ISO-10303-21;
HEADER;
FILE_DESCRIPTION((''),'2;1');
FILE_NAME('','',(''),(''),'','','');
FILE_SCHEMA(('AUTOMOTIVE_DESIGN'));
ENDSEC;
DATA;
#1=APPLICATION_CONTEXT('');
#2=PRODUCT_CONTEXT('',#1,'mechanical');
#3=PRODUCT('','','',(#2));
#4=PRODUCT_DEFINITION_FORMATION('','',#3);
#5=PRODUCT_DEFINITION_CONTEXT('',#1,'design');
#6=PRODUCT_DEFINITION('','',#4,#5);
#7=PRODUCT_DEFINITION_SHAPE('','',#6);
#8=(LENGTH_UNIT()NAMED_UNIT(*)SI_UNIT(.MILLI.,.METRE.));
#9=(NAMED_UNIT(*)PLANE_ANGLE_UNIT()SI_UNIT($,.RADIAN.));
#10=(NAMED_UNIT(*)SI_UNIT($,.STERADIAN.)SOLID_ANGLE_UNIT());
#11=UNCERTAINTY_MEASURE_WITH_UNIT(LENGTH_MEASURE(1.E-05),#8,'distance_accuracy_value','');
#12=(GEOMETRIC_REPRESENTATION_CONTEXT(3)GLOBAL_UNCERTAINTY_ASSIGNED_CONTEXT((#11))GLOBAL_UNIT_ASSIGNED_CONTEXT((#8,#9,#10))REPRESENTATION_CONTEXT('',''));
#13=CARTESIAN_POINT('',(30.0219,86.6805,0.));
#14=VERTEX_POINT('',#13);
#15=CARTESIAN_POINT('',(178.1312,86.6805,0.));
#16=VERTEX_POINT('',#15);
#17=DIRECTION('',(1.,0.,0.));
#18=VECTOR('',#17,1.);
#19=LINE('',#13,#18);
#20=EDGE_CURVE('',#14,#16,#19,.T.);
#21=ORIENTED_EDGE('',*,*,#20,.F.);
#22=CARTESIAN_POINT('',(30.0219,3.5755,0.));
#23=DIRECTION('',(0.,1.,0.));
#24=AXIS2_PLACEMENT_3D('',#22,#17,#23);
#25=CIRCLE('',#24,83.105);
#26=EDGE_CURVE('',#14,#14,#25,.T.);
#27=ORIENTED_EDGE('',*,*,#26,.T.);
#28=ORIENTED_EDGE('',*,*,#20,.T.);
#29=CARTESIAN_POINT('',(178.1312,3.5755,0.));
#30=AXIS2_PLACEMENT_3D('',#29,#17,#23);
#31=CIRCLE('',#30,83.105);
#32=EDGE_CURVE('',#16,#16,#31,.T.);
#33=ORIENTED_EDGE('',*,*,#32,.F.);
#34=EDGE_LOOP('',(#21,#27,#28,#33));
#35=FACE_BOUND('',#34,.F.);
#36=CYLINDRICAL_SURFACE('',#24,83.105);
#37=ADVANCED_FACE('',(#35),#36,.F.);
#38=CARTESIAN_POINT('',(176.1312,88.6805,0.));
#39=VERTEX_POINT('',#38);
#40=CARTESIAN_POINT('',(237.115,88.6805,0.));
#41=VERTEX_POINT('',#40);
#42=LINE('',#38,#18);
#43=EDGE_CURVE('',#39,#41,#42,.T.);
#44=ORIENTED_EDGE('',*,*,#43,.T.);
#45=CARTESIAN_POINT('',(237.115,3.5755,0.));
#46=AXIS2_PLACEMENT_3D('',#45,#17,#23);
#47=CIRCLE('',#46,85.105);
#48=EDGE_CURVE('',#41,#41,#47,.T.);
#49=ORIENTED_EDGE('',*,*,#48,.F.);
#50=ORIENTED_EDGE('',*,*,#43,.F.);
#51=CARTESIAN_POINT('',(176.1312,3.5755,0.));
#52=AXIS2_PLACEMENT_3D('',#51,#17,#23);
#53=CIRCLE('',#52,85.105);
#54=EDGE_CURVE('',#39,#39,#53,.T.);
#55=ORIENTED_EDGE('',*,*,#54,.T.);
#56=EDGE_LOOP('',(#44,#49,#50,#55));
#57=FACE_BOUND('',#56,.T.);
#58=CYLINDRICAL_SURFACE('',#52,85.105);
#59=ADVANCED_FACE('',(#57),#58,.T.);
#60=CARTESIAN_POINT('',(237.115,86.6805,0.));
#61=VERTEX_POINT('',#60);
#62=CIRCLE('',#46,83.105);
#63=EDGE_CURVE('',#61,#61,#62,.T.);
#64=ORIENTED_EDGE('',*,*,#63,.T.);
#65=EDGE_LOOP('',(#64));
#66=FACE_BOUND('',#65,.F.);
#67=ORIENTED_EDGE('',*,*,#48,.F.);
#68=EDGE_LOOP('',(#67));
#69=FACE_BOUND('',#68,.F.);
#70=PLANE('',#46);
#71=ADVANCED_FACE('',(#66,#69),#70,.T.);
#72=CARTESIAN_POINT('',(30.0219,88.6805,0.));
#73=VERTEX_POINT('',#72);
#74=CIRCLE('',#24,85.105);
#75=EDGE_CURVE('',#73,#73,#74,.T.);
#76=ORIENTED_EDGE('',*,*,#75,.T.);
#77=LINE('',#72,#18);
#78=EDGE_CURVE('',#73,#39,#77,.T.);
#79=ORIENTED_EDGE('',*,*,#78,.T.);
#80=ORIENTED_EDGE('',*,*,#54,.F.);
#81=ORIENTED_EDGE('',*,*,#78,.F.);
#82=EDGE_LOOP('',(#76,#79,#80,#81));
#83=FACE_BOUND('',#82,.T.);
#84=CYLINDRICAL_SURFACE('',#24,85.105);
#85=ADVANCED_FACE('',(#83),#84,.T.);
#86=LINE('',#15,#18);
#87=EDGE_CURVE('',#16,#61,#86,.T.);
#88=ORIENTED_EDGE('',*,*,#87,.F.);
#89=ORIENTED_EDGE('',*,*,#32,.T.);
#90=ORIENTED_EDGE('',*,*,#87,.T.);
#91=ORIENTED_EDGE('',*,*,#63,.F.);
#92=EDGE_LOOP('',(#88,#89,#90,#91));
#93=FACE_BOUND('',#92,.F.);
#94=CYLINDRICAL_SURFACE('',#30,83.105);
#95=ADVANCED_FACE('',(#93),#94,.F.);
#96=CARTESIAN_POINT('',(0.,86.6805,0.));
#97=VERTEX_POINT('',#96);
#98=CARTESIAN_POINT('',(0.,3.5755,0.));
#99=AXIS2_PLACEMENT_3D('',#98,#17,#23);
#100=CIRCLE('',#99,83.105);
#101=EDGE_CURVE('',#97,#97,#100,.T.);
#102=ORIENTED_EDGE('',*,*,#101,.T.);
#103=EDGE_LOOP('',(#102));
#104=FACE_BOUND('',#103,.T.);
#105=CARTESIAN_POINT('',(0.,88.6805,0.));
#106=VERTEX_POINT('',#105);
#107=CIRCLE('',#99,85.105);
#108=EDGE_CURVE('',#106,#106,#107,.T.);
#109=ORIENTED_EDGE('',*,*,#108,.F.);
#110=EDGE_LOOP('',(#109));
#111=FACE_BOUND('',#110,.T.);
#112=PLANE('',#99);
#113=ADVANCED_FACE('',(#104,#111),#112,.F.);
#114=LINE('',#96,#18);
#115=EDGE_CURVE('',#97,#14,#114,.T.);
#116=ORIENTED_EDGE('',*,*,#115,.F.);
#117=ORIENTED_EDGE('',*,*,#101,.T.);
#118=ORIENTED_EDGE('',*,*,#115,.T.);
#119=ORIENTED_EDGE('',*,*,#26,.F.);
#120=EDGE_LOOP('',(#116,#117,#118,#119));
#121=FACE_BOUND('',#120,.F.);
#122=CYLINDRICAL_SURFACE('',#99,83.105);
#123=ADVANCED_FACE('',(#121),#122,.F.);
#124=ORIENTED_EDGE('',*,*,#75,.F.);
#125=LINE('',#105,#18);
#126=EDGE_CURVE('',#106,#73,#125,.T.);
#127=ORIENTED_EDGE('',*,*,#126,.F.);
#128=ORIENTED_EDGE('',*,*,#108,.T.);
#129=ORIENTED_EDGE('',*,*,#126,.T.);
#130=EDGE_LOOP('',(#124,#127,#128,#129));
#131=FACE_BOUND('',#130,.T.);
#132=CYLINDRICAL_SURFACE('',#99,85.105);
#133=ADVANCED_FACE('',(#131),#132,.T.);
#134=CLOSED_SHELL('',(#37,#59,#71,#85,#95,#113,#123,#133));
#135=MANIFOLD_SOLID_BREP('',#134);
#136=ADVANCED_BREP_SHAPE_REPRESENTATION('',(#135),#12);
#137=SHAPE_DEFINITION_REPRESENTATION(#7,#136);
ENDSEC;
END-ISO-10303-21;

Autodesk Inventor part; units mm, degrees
ref_plane "YZ Plane" through (0, 0, 0) normal (1, 0, 0) x (0, 1, 0)
ref_plane "XZ Plane" through (0, 0, 0) normal (0, 1, 0) x (-1, 0, 0)
ref_plane "XY Plane" through (0, 0, 0) normal (0, 0, 1) x (1, 0, 0)
sketch "Sketch1" plane through (0, 0, 0) normal (0, 0, 1) x (1, 0, 0)
  arc A0 (180.1312, 21.4516) -> (182.1847, 21.7676) centre (180.1312, 28.2803) ccw
  arc A1 (166.724, 25.044) -> (180.1312, 21.4516) centre (180.1312, 48.266) ccw
  line L0 (123.3912, 50.0622) -> (166.724, 25.044)
  arc A2 (123.3912, 50.0622) -> (30.0219, 75.0805) centre (30.0219, -111.6581) ccw
  line L1 (0, 75.0805) -> (30.0219, 75.0805)
  line L2 (0, 3.5755) -> (319.1694, 3.5755)
  line L3 (182.1847, 21.7676) -> (237.115, 39.0871)
  line L4 (0, 86.6805) -> (30.0219, 86.6805)
  line L5 (180.1312, 33.0516) -> (237.115, 51.0185)
  line L6 (180.1312, 33.0516) -> (239.8803, 33.0516) construction
  line L7 (0, 88.6805) -> (30.0219, 88.6805)
  line L8 (236.5136, 52.9259) -> (180.1312, 35.1486)
  line L9 (237.115, 51.0185) -> (236.5136, 52.9259)
  line L10 (0, 86.6805) -> (0, 88.6805)
  line L11 (180.1312, 33.0516) -> (180.1312, 35.1486)
  line L12 (180.1312, 33.0516) -> (180.1312, -12.2002)
  line L13 (30.0219, 88.6805) -> (176.1312, 88.6805)
  line L14 (30.0219, 86.6805) -> (178.1312, 86.6805)
  line L15 (176.1312, 88.6805) -> (237.115, 88.6805)
  line L16 (178.1312, 86.6805) -> (237.115, 86.6805)
  line L17 (237.115, 39.0871) -> (237.115, 51.0185)
  line L18 (237.115, 86.6805) -> (237.115, 88.6805)
  point P0 (0, 0)
  dimension "d0" = 30.0219
  dimension "d1" = 186.7386
  dimension "d2" = 0
  dimension "d3" = 0
  dimension "d4" = 71.505
  dimension "d10" = 17.5
  dimension "d11" = 54.9303
  dimension "d13" = 11.6
  dimension "d19" = 17.5
  dimension "d20" = 2
revolve "Revolution4" add sketch "Sketch1" angle 360 about axis through (0, 3.5755, 0) along (1, 0, 0) contours L10 L7 L13 L15 L18 L16 L14 L4
properties part number "outerwall part 1" material "Stainless Steel"
